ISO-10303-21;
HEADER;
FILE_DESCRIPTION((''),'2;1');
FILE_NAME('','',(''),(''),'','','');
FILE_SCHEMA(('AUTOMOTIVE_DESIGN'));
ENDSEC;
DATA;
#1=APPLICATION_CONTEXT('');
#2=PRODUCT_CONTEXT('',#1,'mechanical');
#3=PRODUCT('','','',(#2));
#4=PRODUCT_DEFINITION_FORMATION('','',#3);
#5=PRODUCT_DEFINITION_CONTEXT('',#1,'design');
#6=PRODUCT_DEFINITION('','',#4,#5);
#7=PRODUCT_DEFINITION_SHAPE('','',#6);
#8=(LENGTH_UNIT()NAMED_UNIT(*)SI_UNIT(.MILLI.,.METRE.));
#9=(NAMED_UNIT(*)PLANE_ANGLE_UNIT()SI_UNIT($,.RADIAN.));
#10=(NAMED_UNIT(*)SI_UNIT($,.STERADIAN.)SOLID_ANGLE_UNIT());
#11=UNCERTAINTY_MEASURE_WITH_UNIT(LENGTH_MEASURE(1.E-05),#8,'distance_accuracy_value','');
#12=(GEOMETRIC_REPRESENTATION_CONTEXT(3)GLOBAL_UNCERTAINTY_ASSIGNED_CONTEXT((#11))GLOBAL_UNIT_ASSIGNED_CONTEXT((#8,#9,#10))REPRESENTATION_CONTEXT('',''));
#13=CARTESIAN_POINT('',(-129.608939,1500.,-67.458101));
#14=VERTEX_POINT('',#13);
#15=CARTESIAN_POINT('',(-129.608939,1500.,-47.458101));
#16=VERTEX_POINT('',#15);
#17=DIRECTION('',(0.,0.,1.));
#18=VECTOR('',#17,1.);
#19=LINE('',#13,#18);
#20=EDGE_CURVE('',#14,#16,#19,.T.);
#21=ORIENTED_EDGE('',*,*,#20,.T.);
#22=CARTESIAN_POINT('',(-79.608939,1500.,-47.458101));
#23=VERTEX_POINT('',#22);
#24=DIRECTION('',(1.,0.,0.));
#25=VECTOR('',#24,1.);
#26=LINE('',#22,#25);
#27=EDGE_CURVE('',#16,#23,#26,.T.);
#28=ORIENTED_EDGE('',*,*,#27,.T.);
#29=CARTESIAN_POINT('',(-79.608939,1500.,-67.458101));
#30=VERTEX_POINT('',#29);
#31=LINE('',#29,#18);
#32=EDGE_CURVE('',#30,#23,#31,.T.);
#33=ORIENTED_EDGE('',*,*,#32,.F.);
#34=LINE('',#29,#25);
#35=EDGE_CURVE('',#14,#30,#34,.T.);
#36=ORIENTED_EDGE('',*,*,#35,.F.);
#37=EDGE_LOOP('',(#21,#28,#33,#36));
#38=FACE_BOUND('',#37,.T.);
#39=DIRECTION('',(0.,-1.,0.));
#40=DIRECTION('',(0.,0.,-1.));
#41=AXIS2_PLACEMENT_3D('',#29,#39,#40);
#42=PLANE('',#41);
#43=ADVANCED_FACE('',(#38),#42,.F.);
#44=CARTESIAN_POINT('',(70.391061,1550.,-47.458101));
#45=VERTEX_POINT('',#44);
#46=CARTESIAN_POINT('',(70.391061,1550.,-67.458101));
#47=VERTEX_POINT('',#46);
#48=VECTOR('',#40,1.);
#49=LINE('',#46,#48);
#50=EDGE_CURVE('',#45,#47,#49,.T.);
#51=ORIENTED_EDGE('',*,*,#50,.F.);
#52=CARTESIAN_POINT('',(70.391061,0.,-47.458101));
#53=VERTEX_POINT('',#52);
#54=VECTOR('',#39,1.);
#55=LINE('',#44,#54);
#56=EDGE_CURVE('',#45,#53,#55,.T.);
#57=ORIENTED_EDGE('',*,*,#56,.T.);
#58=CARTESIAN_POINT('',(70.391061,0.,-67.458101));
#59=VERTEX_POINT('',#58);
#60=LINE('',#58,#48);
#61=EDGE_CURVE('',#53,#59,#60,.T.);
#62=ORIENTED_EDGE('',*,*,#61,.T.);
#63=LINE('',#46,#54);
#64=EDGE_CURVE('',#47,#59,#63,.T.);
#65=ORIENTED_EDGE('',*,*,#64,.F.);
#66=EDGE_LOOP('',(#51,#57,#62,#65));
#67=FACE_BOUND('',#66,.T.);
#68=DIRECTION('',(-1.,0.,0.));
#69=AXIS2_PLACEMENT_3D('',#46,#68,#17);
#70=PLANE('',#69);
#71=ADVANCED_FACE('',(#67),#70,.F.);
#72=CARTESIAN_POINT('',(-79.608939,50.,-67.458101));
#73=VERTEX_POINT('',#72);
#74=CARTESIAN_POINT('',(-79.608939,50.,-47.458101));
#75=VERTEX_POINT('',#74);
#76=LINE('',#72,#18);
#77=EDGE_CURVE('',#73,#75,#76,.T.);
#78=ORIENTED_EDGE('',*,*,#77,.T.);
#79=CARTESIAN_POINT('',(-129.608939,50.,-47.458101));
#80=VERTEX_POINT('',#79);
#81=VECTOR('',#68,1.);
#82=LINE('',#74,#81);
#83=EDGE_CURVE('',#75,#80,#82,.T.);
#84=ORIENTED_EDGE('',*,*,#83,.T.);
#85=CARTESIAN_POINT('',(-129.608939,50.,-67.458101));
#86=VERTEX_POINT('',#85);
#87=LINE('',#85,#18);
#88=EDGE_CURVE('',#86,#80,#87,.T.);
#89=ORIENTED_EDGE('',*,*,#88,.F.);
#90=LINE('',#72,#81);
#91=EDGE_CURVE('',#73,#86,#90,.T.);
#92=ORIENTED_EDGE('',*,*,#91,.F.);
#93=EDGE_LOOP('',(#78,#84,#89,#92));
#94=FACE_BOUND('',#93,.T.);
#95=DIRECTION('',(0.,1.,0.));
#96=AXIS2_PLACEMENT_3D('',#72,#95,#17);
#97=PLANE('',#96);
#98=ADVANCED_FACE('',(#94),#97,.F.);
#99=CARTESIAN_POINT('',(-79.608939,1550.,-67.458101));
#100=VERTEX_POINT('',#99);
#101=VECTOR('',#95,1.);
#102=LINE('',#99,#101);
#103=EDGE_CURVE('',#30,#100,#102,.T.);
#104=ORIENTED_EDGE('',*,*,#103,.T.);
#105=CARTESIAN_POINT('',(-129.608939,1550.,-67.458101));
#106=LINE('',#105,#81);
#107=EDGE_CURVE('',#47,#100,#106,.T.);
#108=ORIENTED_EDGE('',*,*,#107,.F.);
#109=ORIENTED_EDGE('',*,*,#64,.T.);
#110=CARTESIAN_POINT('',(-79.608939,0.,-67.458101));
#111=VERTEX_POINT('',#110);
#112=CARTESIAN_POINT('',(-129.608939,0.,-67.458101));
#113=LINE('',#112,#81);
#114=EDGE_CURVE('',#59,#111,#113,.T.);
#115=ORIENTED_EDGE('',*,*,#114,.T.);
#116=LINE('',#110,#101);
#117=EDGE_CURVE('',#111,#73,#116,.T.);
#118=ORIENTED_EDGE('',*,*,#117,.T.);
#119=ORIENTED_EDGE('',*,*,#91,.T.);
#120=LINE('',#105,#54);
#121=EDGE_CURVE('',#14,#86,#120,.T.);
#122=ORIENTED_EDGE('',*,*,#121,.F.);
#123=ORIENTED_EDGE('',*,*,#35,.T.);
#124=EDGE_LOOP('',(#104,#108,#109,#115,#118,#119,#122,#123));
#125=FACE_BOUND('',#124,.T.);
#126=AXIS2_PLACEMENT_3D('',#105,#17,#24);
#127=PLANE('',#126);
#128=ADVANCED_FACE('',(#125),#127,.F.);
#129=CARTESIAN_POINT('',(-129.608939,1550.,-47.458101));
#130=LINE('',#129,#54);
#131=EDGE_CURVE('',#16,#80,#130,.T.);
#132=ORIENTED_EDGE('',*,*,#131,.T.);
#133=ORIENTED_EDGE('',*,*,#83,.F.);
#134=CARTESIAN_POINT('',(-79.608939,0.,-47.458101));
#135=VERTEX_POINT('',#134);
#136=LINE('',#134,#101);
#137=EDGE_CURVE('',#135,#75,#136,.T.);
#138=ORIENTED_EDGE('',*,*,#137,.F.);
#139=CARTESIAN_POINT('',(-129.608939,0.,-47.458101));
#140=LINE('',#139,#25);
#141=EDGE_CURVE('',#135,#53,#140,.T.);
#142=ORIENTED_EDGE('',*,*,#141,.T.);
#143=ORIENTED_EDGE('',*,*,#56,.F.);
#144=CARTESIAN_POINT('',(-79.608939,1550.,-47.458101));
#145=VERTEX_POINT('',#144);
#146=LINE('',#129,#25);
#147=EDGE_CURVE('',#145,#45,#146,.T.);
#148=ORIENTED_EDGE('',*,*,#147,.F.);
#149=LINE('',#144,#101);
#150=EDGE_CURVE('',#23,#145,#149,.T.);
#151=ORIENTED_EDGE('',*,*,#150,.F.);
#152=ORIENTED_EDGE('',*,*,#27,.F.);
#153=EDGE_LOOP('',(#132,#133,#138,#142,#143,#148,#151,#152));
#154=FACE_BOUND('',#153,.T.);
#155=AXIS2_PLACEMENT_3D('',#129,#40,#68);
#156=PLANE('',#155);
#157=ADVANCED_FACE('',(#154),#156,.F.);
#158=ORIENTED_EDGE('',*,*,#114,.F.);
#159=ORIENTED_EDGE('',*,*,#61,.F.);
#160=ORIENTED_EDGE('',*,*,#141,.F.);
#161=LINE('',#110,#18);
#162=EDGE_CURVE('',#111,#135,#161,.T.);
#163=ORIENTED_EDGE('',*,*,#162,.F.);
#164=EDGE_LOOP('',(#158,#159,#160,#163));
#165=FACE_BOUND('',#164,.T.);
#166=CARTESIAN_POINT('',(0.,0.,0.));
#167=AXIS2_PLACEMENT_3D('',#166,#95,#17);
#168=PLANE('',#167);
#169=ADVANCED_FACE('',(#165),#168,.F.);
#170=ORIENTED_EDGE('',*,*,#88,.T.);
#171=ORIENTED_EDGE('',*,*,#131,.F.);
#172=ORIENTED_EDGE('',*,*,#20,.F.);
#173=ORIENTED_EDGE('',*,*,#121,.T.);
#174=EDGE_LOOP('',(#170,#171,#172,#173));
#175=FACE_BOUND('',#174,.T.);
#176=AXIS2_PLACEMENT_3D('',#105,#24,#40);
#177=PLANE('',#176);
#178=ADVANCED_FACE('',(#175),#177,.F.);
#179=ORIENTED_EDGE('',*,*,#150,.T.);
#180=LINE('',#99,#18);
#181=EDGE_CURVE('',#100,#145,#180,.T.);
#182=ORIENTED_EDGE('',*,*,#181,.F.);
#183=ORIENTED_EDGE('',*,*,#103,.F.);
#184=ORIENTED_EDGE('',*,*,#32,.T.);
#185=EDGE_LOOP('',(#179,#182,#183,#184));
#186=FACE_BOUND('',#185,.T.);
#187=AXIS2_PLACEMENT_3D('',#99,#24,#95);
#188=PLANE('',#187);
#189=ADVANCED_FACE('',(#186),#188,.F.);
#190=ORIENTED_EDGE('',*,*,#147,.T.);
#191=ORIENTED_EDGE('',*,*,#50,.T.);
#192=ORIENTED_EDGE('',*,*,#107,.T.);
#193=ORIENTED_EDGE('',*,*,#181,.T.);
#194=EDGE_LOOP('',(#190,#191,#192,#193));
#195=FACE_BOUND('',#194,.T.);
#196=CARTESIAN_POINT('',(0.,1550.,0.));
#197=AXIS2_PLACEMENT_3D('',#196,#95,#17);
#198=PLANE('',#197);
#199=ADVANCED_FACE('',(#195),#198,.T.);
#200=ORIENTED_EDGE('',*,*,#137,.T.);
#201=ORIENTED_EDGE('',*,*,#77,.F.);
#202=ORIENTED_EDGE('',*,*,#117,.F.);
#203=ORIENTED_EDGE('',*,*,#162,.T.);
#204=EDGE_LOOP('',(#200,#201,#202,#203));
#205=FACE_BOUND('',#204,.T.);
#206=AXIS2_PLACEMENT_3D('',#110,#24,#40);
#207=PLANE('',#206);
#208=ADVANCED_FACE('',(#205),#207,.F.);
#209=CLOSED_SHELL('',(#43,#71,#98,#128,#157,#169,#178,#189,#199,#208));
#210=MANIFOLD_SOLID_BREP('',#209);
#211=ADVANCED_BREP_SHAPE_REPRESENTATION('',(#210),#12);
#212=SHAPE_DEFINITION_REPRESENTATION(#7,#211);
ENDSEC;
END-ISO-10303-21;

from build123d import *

# Parameters (mm, degrees)
ESBO_O1_W                = 200
ESBO_O1_H                = 20
RESSALTO_EXTRUS_O1_DEPTH = 1550
ESBO_O2_W                = 50
ESBO_O2_H                = 50
CORTE_EXTRUS_O1_DEPTH    = 21
ESBO_O3_W                = 50
ESBO_O3_H                = 50
CORTE_EXTRUS_O2_DEPTH    = 21


with BuildPart() as part:
    # Esboço1 → Ressalto-extrusão1 (new body)
    with BuildSketch(Plane(origin=(0, 0, 0), x_dir=(1, 0, 0), z_dir=(0, 1, 0))):
        with Locations((-29.608938547, 57.458100559)):
            Rectangle(ESBO_O1_W, ESBO_O1_H)
    extrude(amount=RESSALTO_EXTRUS_O1_DEPTH)

    # Esboço2 → Corte-extrusão1 (cut, through all)
    with BuildSketch(Plane.XY.offset(-47.458100559)):
        with Locations((-104.608938547, 25)):
            Rectangle(ESBO_O2_W, ESBO_O2_H)
    extrude(amount=-CORTE_EXTRUS_O1_DEPTH, mode=Mode.SUBTRACT)

    # Esboço3 → Corte-extrusão2 (cut, through all)
    with BuildSketch(Plane.XY.offset(-47.458100559)):
        with Locations((-104.608938547, 1525)):
            Rectangle(ESBO_O3_W, ESBO_O3_H)
    extrude(amount=-CORTE_EXTRUS_O2_DEPTH, mode=Mode.SUBTRACT)


solid = part.part
